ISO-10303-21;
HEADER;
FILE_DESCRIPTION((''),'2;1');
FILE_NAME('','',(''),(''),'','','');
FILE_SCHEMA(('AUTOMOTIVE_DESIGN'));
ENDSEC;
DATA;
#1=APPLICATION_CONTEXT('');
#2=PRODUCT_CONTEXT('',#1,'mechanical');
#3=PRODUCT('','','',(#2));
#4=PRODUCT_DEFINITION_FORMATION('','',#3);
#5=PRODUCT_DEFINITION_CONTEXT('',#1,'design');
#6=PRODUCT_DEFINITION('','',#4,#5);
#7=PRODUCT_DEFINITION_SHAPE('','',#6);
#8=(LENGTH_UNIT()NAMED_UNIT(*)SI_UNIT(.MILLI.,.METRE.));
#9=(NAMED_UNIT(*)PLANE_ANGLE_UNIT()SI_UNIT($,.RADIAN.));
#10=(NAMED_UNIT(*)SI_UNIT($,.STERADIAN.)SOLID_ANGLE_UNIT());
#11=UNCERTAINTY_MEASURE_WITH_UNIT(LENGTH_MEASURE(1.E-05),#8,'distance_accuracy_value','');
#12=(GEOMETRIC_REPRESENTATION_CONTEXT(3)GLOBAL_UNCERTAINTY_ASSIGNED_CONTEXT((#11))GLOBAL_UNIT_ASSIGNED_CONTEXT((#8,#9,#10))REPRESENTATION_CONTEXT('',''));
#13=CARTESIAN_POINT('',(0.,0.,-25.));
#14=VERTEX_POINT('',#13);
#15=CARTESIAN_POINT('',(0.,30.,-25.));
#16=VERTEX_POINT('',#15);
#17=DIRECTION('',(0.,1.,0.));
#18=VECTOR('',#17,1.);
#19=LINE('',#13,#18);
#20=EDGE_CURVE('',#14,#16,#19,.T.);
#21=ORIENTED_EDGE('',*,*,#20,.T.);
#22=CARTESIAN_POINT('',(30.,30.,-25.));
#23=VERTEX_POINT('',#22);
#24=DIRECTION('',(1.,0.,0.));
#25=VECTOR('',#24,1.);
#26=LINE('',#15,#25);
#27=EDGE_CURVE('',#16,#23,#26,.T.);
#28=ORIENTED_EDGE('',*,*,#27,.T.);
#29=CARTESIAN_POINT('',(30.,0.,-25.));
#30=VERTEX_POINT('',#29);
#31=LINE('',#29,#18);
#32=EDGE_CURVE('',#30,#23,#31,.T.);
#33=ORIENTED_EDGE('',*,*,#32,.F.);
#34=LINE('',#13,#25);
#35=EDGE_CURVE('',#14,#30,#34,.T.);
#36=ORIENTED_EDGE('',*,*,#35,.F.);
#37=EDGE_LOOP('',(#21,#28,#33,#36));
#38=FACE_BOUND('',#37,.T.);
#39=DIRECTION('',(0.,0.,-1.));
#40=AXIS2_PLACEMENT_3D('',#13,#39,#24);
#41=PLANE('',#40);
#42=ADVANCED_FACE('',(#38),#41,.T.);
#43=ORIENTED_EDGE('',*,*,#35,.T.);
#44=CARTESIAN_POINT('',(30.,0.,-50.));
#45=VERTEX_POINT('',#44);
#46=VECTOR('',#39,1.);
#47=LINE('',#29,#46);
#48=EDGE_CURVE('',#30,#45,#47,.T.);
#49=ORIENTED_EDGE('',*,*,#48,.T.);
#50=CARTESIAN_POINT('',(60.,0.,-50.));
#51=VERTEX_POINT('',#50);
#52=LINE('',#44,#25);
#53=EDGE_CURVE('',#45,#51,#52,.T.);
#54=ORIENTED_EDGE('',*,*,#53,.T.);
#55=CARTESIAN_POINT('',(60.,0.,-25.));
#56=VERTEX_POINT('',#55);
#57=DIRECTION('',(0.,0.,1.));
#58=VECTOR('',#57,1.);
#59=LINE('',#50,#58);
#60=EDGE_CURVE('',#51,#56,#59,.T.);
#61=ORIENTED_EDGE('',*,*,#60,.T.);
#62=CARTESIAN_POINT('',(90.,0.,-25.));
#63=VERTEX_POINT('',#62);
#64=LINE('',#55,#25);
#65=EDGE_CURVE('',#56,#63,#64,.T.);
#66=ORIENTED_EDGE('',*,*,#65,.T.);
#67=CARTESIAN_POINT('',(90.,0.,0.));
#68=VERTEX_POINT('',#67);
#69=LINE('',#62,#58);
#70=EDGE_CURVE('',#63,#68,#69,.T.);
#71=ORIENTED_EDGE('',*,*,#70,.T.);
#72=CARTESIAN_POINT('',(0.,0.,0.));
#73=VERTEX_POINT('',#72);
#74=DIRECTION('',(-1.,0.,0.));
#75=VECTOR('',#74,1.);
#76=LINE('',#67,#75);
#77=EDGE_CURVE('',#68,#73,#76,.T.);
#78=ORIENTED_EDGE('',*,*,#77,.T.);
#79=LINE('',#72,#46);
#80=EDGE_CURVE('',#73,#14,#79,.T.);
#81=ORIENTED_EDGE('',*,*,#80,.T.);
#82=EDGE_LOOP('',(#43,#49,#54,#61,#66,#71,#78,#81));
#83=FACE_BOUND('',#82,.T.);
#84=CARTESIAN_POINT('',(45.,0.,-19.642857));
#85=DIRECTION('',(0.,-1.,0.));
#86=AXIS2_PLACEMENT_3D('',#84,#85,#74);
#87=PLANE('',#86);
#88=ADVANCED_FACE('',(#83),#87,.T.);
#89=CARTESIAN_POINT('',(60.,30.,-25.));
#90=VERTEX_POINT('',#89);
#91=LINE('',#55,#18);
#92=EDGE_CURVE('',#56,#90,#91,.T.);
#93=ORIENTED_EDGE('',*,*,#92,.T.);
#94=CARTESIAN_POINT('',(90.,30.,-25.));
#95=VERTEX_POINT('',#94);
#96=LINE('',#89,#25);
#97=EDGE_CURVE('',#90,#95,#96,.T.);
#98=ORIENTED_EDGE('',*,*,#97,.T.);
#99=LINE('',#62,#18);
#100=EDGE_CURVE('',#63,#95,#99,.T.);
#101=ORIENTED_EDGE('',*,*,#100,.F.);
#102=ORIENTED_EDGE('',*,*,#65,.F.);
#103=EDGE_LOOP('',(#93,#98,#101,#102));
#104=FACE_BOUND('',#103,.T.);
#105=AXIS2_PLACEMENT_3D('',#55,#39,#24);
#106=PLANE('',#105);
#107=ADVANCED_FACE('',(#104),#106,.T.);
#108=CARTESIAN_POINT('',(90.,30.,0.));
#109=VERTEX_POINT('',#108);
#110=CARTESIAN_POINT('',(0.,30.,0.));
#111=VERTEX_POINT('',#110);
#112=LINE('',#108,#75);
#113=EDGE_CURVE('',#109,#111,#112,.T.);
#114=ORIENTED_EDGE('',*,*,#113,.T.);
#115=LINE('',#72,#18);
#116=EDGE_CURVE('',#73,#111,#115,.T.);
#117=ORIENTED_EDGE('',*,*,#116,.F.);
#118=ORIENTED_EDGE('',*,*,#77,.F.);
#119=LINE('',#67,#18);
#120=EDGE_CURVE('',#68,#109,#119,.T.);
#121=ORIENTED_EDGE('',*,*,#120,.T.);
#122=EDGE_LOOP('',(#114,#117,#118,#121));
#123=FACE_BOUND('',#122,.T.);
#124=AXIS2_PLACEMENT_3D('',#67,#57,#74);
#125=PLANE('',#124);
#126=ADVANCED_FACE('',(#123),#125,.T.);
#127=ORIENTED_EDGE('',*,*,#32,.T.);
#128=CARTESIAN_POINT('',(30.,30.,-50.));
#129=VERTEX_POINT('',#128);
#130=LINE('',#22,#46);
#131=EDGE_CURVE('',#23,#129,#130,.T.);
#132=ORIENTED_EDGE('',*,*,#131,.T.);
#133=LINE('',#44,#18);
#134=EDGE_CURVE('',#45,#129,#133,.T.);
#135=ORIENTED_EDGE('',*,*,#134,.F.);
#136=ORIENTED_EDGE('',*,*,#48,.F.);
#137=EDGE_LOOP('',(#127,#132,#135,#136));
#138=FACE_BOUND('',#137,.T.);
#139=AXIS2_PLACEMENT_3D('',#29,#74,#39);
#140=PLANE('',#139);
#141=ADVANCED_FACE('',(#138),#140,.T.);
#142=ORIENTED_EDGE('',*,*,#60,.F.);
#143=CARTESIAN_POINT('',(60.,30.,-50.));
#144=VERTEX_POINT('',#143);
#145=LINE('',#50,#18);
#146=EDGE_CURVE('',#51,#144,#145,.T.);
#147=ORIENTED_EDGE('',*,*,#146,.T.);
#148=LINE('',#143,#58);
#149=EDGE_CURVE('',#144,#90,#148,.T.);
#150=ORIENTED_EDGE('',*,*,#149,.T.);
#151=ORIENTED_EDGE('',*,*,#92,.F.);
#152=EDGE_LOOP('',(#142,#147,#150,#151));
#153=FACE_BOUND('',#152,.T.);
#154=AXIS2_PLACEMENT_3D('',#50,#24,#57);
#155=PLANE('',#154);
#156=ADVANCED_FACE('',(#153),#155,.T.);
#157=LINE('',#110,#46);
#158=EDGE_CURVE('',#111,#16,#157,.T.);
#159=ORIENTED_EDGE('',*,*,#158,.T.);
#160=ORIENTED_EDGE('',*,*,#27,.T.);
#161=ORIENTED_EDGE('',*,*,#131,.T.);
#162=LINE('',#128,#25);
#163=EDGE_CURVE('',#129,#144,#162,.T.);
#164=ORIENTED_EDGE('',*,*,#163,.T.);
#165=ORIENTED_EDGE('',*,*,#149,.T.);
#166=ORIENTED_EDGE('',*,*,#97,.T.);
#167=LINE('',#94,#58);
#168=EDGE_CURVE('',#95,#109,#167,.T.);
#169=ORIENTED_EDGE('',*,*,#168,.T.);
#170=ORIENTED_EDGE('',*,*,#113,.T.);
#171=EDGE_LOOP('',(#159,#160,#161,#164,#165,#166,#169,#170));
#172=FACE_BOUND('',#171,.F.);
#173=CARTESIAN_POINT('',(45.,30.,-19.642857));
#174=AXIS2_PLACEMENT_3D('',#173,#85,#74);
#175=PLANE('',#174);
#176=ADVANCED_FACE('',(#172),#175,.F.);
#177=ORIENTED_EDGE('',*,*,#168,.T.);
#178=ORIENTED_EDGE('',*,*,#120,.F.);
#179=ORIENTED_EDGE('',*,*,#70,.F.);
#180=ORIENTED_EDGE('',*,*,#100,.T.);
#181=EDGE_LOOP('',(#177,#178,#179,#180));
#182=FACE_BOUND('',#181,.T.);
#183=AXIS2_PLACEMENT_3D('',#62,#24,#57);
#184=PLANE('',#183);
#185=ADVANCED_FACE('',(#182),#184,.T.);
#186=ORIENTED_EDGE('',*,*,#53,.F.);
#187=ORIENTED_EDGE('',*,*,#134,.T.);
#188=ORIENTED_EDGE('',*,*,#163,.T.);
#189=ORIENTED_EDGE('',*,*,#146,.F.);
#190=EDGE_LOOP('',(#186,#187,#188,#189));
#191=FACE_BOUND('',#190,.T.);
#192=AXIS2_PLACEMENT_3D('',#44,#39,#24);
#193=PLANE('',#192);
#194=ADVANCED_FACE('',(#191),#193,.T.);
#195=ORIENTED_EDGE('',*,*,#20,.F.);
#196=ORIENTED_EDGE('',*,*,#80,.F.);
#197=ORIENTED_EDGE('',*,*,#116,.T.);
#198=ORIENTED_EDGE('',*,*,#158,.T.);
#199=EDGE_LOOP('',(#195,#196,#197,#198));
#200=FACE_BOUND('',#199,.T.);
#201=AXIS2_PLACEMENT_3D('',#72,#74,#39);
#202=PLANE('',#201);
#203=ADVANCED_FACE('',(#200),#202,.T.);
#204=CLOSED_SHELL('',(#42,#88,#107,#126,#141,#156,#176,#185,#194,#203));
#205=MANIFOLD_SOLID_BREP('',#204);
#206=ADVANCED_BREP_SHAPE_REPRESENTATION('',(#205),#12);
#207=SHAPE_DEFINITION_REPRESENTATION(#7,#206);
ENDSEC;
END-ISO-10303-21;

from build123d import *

# Parameters (mm, degrees)
BOSS_EXTRUDE1_DEPTH = 30


with BuildPart() as part:
    # Sketch1 → Boss-Extrude1 (new body)
    with BuildSketch(Plane(origin=(0, 0, 0), x_dir=(1, 0, 0), z_dir=(0, 1, 0))):
        Polygon((30, 50), (60, 50), (60, 25), (90, 25), (90, 0), (0, 0), (0, 25), (30, 25), align=None)
    extrude(amount=BOSS_EXTRUDE1_DEPTH)


solid = part.part
